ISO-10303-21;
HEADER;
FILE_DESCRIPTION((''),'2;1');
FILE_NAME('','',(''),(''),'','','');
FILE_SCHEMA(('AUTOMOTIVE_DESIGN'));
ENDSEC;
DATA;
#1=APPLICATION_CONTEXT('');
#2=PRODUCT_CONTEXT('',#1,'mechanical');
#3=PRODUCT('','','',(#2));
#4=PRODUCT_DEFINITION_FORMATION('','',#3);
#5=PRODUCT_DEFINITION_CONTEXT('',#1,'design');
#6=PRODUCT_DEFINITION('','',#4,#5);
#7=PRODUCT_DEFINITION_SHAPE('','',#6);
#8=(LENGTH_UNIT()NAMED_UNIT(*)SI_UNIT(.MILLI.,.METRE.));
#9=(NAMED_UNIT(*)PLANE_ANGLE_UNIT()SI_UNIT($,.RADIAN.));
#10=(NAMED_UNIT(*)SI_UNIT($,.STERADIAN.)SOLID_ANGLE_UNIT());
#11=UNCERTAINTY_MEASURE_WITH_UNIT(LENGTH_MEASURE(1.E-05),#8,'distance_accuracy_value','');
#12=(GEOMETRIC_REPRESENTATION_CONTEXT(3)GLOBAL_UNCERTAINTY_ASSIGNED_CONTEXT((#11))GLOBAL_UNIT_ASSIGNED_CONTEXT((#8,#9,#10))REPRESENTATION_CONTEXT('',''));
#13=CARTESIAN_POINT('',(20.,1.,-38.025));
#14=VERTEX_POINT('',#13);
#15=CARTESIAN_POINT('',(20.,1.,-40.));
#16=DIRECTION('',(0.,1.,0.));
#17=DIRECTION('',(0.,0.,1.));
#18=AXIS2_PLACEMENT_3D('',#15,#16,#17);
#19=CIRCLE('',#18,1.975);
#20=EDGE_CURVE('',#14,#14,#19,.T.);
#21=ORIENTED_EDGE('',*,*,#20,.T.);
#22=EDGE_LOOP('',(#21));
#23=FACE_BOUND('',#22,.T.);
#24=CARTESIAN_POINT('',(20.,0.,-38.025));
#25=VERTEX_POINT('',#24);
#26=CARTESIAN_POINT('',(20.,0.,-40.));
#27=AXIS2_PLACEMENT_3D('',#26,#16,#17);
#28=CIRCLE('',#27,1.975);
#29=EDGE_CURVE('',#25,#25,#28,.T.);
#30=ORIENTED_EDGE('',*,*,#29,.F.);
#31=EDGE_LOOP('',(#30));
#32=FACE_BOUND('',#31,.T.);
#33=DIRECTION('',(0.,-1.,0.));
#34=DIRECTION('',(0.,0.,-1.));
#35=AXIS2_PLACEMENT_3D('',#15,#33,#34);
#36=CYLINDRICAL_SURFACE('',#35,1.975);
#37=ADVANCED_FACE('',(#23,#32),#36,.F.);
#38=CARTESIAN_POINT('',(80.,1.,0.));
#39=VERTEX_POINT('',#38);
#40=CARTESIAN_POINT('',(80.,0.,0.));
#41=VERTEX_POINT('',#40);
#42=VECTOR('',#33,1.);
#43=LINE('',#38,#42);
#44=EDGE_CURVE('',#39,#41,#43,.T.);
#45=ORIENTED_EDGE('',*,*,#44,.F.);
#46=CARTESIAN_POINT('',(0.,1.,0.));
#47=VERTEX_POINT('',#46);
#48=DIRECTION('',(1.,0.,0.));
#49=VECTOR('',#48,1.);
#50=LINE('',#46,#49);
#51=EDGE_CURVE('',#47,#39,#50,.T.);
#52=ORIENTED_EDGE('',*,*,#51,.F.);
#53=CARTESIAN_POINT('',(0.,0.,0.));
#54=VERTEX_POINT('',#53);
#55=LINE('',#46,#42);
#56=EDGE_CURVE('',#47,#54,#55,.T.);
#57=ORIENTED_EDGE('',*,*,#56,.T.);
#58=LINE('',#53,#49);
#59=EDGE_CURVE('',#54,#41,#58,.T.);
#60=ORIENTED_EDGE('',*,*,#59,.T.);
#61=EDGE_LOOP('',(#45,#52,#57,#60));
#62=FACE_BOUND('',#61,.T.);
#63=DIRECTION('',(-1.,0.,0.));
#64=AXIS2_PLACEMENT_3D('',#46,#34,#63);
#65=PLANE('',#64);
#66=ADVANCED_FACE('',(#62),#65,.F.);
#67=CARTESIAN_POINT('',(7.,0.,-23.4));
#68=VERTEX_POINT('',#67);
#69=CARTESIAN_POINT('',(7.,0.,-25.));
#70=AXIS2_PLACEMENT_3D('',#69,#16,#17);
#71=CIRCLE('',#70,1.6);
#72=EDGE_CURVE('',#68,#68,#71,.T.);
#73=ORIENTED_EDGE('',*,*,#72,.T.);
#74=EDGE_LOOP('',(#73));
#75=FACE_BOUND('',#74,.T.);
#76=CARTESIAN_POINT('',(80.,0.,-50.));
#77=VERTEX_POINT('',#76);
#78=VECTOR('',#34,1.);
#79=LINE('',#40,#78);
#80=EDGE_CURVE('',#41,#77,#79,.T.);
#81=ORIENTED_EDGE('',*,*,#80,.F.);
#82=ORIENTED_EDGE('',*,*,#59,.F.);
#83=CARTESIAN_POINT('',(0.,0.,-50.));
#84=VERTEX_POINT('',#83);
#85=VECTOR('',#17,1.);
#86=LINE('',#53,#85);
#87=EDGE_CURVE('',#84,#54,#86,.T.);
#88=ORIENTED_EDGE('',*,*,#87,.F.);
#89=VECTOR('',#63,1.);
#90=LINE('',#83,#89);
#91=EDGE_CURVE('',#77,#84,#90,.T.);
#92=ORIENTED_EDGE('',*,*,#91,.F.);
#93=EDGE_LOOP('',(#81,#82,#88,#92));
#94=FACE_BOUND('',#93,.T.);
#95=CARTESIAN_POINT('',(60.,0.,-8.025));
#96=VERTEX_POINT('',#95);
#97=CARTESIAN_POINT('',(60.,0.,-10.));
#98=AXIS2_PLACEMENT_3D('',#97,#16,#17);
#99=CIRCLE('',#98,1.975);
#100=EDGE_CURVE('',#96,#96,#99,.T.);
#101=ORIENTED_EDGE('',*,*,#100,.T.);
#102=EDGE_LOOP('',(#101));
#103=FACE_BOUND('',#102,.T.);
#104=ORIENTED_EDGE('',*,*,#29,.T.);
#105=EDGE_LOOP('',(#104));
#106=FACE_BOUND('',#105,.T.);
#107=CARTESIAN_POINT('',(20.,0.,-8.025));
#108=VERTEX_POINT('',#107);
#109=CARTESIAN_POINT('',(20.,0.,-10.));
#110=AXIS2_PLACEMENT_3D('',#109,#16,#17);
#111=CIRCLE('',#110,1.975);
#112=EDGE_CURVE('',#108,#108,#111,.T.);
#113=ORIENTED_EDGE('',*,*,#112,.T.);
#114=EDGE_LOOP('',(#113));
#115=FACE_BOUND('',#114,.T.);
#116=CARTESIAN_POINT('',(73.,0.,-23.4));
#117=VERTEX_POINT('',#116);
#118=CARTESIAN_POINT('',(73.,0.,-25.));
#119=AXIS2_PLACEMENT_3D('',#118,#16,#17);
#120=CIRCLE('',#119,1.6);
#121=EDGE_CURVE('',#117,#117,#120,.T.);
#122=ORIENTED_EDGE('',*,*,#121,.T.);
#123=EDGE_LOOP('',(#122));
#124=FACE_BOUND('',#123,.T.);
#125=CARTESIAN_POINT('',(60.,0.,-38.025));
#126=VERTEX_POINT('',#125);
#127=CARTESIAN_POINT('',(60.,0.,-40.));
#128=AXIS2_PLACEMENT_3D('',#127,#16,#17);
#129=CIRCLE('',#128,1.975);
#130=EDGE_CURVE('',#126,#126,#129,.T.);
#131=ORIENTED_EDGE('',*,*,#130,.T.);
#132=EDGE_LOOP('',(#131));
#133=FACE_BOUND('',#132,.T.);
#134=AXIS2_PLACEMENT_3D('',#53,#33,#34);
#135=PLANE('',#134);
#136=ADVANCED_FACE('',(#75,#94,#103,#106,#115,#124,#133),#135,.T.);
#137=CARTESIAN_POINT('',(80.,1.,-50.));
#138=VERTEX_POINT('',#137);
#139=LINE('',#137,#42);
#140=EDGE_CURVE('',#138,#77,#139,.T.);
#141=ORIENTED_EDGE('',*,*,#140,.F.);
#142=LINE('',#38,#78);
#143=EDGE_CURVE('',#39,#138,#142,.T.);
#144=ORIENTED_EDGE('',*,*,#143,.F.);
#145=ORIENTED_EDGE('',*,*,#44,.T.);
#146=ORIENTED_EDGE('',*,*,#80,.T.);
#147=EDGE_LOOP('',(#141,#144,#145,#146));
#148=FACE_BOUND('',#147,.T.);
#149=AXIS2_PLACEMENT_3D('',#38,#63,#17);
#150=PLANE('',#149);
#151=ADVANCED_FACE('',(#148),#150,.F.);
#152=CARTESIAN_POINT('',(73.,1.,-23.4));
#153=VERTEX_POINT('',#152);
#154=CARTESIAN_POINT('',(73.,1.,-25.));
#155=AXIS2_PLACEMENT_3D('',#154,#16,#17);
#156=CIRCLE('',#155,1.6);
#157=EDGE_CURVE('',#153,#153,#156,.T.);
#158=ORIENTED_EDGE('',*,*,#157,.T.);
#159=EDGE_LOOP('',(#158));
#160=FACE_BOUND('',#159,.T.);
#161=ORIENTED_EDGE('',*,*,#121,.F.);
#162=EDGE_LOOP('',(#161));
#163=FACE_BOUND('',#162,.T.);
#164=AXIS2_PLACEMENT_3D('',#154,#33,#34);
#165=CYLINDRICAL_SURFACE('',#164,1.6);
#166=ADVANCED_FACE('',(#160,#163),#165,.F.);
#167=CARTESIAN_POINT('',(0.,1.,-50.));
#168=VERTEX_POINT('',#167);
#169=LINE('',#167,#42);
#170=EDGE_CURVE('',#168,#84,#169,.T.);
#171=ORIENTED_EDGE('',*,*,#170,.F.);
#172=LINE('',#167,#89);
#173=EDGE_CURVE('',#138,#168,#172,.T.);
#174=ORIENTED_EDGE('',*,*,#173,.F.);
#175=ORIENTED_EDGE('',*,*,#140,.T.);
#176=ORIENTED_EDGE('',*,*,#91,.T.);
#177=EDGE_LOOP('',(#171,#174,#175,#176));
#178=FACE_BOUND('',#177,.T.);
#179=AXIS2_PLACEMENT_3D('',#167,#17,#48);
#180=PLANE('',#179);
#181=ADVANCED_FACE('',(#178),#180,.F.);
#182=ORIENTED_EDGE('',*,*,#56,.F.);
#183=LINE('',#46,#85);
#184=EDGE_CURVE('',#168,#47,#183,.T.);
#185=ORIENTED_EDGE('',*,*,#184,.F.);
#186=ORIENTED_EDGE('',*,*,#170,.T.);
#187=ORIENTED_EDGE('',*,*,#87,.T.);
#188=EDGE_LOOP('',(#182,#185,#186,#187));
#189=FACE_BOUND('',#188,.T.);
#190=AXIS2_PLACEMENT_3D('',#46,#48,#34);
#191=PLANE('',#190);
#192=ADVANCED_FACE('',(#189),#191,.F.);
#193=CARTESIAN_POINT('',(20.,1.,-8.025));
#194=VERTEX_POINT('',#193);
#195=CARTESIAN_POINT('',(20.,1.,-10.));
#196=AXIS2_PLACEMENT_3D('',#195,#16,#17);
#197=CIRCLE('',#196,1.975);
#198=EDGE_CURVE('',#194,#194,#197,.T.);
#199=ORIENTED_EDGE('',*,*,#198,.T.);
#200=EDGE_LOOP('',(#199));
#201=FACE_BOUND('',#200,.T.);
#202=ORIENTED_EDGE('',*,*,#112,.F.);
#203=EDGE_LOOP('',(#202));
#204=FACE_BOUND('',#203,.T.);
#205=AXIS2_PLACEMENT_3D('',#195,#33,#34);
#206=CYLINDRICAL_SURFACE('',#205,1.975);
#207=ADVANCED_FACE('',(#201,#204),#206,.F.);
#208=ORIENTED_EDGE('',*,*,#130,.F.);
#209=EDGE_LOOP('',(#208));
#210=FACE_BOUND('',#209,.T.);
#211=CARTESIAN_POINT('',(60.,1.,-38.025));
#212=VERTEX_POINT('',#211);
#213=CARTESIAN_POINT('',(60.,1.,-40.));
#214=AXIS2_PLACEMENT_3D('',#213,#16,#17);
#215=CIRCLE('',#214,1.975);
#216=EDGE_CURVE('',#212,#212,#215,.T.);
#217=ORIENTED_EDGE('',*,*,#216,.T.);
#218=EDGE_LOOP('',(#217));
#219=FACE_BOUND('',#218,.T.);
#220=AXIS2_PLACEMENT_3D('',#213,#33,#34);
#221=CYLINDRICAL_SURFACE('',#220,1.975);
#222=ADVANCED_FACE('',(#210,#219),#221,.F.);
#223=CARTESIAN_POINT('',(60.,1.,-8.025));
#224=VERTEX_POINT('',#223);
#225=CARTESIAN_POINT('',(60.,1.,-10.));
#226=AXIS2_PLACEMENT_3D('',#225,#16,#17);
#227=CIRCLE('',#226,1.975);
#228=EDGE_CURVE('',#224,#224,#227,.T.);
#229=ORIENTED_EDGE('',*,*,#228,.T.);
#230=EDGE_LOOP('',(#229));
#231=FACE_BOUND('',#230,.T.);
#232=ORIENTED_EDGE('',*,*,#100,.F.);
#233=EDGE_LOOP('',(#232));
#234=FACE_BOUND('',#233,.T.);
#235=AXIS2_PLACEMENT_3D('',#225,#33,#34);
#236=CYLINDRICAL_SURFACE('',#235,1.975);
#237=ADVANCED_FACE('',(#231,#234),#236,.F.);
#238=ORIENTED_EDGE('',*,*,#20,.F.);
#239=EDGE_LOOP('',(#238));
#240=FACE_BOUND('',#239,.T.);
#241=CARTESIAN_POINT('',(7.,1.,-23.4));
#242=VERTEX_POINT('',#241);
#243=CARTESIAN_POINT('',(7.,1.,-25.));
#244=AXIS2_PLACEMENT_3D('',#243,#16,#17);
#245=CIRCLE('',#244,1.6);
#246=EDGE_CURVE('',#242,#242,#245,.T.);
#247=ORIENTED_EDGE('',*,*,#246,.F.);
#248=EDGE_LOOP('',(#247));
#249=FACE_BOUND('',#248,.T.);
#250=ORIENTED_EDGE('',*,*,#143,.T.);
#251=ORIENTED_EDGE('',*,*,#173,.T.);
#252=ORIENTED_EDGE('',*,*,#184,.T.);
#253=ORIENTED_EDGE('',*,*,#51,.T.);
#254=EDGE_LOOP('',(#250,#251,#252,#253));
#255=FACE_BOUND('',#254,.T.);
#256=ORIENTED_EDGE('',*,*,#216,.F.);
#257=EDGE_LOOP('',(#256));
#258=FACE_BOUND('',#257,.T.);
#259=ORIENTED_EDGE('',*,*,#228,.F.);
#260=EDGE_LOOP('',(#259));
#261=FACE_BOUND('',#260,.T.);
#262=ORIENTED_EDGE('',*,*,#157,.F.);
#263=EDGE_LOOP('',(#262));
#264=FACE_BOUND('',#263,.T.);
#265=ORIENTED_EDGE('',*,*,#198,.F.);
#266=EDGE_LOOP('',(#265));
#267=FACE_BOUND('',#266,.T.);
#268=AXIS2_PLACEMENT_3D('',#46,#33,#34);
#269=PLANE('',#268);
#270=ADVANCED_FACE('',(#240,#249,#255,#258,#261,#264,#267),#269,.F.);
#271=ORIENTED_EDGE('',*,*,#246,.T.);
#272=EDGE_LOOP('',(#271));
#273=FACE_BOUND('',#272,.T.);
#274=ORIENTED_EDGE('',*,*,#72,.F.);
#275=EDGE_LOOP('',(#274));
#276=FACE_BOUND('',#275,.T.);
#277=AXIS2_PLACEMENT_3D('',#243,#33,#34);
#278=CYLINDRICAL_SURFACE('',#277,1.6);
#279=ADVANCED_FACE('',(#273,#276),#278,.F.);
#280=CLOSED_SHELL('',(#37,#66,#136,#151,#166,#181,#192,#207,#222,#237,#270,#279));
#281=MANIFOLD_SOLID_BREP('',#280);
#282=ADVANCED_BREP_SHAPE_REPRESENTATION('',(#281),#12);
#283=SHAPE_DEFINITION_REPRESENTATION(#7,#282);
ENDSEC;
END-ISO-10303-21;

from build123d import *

# Parameters (mm, degrees)
SKETCH1_W           = 80
SKETCH1_H           = 50
SKETCH1_R           = 1.975
SKETCH1_R_2         = 1.6
BOSS_EXTRUDE1_DEPTH = 1


with BuildPart() as part:
    # Sketch1 → Boss-Extrude1 (new body)
    with BuildSketch(Plane(origin=(0, 0, 0), x_dir=(1, 0, 0), z_dir=(0, 1, 0))):
        with Locations((40, 25)):
            Rectangle(SKETCH1_W, SKETCH1_H)
        with Locations(Location((20, 40, 0), (0, 0, 270))):
            Circle(SKETCH1_R, mode=Mode.SUBTRACT)
        with Locations(Location((60, 40, 0), (0, 0, 270))):
            Circle(SKETCH1_R, mode=Mode.SUBTRACT)
        with Locations(Location((20, 10, 0), (0, 0, 270))):
            Circle(SKETCH1_R, mode=Mode.SUBTRACT)
        with Locations(Location((60, 10, 0), (0, 0, 270))):
            Circle(SKETCH1_R, mode=Mode.SUBTRACT)
        with Locations(Location((7, 25, 0), (0, 0, 270))):
            Circle(SKETCH1_R_2, mode=Mode.SUBTRACT)
        with Locations(Location((73, 25, 0), (0, 0, 270))):
            Circle(SKETCH1_R_2, mode=Mode.SUBTRACT)
    extrude(amount=BOSS_EXTRUDE1_DEPTH)


solid = part.part
